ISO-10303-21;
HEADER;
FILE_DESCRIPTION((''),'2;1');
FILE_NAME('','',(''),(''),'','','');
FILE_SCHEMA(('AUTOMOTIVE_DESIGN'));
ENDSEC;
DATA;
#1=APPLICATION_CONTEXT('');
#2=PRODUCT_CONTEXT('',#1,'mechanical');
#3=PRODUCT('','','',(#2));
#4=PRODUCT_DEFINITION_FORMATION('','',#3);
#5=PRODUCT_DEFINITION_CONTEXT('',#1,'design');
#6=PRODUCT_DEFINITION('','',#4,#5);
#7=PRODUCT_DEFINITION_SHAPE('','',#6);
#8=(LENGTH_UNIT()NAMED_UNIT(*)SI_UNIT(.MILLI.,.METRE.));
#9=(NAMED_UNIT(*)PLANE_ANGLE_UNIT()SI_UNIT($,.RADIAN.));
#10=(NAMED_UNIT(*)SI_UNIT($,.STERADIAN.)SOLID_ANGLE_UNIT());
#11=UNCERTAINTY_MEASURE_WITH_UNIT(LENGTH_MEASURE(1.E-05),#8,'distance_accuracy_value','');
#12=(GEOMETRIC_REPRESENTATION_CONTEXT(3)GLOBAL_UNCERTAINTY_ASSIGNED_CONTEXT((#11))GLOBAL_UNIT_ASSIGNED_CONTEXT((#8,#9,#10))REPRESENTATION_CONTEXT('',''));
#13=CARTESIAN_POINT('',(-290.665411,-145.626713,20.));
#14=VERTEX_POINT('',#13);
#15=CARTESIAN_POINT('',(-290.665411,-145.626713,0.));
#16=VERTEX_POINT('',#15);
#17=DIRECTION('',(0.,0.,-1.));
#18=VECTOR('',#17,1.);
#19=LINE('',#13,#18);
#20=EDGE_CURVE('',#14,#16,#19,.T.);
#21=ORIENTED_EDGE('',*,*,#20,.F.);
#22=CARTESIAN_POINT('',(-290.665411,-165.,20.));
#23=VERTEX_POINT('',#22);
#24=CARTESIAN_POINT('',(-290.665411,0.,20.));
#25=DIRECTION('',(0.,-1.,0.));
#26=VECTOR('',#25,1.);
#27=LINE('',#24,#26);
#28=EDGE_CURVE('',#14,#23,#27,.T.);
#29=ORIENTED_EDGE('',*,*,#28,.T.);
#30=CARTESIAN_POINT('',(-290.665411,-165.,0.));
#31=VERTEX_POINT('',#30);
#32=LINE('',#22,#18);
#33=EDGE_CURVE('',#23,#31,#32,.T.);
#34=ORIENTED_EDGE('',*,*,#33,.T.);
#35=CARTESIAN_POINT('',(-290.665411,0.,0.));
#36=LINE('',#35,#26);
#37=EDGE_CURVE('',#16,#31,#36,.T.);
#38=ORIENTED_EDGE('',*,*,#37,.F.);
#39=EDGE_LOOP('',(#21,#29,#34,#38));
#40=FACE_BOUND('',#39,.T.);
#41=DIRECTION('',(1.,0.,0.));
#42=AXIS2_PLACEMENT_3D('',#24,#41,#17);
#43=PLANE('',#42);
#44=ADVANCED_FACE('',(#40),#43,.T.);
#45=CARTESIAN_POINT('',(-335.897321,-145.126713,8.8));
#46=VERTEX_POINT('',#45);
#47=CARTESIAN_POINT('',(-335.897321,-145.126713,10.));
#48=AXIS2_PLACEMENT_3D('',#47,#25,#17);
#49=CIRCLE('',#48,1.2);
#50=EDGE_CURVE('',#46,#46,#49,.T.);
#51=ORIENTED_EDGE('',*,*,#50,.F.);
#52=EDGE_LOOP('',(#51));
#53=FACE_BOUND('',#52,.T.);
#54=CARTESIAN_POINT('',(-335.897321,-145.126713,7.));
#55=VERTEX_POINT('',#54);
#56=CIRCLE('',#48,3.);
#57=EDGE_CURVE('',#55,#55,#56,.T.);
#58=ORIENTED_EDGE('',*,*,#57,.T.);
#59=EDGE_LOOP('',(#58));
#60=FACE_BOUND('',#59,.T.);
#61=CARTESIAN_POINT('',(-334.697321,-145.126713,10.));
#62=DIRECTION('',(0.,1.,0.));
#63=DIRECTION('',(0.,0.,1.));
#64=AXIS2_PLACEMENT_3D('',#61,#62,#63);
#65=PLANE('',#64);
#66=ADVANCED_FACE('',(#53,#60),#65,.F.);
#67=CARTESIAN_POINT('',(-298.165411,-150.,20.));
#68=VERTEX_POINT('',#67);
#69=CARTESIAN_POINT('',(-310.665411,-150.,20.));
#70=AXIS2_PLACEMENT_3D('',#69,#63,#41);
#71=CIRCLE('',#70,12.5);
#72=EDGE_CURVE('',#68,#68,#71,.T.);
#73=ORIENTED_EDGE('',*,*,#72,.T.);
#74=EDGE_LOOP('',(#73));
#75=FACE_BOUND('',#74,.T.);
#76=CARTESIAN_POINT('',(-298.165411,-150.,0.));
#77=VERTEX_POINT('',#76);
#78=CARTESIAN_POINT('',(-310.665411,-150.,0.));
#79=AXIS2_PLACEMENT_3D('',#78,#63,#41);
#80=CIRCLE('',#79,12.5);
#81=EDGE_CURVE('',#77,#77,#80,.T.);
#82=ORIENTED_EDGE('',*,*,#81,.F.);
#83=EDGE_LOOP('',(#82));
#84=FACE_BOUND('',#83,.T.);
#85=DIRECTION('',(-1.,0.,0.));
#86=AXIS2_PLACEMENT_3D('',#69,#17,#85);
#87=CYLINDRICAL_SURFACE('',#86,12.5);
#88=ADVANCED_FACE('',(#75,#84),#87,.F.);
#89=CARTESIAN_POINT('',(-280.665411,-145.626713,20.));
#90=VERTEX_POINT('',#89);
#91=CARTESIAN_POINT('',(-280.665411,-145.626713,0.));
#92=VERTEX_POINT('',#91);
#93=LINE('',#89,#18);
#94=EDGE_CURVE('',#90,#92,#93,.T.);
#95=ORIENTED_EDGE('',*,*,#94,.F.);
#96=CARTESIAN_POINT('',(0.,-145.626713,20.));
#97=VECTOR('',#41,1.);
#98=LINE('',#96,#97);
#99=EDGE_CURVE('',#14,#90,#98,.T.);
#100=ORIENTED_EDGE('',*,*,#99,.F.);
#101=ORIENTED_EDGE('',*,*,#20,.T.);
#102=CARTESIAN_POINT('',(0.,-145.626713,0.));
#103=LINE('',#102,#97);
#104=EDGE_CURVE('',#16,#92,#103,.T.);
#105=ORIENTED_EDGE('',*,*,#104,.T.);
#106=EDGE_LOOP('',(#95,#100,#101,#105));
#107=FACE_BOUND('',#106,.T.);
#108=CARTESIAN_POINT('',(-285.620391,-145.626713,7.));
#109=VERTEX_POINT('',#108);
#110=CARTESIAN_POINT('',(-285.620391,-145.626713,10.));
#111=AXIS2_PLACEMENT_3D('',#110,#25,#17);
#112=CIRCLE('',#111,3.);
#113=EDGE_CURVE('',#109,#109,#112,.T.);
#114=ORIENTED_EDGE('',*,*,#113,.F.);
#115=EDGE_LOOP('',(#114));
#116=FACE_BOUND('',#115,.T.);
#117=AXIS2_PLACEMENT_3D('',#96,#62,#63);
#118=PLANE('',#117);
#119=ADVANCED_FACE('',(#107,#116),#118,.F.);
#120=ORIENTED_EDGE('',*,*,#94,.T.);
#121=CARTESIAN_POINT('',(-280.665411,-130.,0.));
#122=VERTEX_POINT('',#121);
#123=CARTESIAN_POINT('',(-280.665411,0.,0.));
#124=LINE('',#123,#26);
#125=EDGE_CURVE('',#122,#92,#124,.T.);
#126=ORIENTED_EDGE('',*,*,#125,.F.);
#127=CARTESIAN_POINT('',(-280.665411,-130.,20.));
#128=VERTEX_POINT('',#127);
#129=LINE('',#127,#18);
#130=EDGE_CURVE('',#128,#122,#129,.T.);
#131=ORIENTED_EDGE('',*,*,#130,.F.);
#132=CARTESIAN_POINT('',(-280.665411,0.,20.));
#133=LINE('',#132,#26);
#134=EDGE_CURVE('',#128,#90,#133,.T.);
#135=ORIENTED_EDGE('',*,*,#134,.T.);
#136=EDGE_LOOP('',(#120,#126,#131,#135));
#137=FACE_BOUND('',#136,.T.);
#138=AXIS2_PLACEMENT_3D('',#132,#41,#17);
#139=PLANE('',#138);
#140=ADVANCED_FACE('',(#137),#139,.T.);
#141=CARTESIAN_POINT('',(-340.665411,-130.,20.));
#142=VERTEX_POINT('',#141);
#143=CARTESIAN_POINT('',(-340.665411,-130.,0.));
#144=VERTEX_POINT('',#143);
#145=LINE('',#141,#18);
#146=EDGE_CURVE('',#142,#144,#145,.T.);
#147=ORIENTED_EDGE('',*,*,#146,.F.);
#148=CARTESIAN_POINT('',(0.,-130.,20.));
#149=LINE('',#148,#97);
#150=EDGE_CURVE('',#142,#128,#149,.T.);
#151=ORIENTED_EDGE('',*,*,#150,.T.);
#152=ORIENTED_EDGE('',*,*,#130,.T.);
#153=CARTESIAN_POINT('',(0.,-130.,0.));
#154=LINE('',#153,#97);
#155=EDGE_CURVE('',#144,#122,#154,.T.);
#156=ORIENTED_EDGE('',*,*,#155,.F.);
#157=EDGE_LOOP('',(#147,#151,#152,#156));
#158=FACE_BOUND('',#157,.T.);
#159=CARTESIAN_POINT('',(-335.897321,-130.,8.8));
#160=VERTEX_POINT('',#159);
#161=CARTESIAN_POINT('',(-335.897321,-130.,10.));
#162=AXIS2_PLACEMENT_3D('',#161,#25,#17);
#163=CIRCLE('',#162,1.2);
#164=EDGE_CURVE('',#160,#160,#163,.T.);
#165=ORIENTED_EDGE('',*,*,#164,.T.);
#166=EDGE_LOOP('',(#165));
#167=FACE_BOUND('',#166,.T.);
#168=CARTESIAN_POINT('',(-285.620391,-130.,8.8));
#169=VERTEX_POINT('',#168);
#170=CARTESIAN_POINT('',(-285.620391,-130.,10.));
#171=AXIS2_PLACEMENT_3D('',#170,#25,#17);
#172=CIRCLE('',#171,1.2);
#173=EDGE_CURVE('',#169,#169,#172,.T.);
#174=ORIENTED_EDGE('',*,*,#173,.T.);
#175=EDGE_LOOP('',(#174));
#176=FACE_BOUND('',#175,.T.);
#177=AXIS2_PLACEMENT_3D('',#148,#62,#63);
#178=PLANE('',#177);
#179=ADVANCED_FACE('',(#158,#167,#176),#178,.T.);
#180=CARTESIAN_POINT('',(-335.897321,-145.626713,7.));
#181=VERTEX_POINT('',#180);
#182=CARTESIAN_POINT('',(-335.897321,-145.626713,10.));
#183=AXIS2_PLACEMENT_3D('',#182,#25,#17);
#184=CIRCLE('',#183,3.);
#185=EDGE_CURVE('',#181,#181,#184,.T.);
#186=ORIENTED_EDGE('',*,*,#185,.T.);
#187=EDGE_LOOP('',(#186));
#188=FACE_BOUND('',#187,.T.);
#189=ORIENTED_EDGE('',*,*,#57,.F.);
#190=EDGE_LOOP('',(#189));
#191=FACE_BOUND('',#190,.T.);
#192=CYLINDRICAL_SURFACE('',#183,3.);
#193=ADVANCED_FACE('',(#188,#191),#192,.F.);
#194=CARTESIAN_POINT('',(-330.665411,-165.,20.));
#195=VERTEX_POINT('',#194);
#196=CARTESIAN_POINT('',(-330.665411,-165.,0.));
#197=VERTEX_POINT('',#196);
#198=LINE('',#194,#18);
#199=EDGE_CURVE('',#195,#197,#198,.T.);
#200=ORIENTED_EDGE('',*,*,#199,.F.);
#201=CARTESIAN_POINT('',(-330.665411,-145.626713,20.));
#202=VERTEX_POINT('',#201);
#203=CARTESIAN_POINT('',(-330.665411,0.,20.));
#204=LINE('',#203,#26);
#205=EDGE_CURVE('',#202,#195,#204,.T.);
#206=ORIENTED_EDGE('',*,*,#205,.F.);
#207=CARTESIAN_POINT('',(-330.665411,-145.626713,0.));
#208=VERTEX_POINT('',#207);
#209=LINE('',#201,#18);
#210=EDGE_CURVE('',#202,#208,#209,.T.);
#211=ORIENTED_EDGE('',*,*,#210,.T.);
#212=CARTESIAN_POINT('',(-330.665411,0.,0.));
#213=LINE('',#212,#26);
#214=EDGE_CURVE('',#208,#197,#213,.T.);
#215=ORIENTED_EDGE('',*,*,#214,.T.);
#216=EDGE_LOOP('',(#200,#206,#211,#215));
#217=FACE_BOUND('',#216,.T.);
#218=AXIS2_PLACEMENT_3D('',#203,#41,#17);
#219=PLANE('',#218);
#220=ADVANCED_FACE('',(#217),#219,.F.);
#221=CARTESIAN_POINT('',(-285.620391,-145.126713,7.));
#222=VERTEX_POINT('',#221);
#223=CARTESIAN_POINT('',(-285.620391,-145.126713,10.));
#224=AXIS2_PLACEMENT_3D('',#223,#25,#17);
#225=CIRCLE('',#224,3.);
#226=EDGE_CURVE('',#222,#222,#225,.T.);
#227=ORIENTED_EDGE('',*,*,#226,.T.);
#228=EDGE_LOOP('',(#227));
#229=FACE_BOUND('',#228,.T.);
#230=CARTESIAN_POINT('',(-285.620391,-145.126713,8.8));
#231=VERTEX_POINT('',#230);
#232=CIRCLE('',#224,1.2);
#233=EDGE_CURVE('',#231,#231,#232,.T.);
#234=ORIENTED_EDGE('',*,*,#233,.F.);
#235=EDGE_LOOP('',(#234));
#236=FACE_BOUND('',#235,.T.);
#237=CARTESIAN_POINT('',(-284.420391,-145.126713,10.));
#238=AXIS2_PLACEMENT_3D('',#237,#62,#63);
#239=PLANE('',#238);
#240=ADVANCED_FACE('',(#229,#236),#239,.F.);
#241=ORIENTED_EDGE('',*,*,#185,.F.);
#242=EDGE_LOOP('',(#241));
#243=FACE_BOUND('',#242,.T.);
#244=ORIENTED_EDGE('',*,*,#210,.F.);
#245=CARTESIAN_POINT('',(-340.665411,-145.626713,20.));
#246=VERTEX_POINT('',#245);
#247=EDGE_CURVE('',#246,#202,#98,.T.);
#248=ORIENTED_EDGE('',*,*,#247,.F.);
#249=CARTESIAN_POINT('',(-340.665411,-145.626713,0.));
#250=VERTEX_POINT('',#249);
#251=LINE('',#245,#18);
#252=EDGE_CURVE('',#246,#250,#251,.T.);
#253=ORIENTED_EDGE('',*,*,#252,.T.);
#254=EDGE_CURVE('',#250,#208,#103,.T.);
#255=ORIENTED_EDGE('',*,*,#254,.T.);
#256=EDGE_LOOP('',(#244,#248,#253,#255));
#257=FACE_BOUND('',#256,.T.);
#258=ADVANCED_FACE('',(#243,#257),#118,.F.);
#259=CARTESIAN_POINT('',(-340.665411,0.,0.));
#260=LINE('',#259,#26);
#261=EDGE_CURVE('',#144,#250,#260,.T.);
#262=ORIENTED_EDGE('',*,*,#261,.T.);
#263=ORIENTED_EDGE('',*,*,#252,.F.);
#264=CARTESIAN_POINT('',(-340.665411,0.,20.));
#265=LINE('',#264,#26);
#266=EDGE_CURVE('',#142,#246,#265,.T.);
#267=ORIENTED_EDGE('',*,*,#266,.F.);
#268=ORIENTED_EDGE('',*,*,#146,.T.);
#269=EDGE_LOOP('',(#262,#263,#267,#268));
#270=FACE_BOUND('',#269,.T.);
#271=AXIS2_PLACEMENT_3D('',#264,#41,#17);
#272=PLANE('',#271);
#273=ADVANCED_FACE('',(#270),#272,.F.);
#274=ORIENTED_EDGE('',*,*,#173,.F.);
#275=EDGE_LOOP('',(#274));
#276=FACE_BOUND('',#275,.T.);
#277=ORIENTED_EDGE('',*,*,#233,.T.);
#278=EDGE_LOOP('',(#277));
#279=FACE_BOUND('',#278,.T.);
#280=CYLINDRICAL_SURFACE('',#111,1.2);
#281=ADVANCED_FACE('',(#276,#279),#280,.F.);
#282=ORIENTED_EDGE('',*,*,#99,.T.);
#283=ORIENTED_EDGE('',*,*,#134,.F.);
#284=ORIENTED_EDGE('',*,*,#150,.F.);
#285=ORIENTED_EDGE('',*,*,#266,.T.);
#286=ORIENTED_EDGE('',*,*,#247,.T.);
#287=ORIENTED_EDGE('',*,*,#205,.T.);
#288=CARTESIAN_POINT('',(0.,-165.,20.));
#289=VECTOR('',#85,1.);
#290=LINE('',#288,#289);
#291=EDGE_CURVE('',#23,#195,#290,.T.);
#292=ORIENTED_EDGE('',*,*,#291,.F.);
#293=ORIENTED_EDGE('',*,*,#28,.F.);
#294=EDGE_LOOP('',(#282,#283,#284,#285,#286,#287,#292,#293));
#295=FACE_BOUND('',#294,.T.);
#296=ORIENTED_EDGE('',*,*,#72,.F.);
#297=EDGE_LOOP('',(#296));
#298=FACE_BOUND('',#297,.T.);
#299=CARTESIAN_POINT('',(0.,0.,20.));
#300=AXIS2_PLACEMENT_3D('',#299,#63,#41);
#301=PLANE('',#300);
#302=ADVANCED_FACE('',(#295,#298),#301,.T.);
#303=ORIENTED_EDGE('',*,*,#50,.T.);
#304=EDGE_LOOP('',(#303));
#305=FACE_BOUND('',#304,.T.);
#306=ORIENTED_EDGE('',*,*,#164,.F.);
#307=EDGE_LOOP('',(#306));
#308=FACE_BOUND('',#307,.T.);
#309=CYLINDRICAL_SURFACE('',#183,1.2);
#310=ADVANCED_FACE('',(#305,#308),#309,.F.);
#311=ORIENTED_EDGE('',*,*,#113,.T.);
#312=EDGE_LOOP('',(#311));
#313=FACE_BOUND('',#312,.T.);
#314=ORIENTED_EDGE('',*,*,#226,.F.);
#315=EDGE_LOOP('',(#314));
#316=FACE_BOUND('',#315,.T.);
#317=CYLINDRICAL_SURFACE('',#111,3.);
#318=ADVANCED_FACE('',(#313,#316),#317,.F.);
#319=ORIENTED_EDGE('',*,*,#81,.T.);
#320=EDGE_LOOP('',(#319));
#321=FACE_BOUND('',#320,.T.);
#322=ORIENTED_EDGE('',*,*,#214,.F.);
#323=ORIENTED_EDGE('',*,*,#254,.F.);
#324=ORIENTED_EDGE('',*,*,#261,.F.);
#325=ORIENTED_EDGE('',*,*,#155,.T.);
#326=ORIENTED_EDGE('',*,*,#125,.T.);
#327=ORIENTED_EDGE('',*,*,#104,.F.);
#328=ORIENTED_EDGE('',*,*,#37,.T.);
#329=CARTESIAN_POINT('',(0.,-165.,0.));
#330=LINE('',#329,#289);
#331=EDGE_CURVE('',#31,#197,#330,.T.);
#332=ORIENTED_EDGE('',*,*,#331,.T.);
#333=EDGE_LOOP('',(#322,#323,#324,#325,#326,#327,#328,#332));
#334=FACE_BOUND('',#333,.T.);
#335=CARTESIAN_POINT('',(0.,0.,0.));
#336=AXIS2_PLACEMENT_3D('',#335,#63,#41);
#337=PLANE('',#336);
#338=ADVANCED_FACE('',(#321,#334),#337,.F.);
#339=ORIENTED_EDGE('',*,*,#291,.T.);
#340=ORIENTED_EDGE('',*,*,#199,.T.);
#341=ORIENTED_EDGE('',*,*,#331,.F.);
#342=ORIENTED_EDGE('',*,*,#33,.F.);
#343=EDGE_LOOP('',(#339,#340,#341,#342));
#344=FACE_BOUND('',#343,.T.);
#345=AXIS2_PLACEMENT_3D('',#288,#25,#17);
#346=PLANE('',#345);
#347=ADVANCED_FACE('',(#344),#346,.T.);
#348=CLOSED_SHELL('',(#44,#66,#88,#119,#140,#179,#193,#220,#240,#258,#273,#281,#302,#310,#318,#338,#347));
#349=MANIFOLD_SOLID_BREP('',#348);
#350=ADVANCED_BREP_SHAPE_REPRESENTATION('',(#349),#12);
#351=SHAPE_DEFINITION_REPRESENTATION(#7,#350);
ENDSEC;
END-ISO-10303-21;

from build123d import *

# Parameters (mm, degrees)
SKETCH_1_R                   = 12.5
EXTRUDE_1_DEPTH              = 20
HOLE_WIZARD_M2_1_D           = 2.4
HOLE_WIZARD_M2_1_CBORE_D     = 6
HOLE_WIZARD_M2_1_CBORE_DEPTH = 0.5


with BuildPart() as part:
    # 草图1 → 凸台-拉伸1 (new body)
    with BuildSketch(Plane.XY):
        Polygon((-340.66541114, -145.626712598), (-330.66541114, -145.626712598), (-330.66541114, -165), (-290.66541114, -165), (-290.66541114, -145.626712598), (-280.66541114, -145.626712598), (-280.66541114, -130), (-340.66541114, -130), align=None)
        with Locations((-310.66541114, -150)):
            Circle(SKETCH_1_R, mode=Mode.SUBTRACT)
    extrude(amount=EXTRUDE_1_DEPTH)

    # M2 六角头螺栓的柱形沉头孔1 (through all)
    with Locations(Plane(origin=(0, -145.626712598, 0), x_dir=(-1, 0, 0), z_dir=(0, -1, 0))):
        with Locations((335.897321014, -10), (285.620390856, -10)):
            CounterBoreHole(HOLE_WIZARD_M2_1_D / 2, HOLE_WIZARD_M2_1_CBORE_D / 2, HOLE_WIZARD_M2_1_CBORE_DEPTH)


solid = part.part
